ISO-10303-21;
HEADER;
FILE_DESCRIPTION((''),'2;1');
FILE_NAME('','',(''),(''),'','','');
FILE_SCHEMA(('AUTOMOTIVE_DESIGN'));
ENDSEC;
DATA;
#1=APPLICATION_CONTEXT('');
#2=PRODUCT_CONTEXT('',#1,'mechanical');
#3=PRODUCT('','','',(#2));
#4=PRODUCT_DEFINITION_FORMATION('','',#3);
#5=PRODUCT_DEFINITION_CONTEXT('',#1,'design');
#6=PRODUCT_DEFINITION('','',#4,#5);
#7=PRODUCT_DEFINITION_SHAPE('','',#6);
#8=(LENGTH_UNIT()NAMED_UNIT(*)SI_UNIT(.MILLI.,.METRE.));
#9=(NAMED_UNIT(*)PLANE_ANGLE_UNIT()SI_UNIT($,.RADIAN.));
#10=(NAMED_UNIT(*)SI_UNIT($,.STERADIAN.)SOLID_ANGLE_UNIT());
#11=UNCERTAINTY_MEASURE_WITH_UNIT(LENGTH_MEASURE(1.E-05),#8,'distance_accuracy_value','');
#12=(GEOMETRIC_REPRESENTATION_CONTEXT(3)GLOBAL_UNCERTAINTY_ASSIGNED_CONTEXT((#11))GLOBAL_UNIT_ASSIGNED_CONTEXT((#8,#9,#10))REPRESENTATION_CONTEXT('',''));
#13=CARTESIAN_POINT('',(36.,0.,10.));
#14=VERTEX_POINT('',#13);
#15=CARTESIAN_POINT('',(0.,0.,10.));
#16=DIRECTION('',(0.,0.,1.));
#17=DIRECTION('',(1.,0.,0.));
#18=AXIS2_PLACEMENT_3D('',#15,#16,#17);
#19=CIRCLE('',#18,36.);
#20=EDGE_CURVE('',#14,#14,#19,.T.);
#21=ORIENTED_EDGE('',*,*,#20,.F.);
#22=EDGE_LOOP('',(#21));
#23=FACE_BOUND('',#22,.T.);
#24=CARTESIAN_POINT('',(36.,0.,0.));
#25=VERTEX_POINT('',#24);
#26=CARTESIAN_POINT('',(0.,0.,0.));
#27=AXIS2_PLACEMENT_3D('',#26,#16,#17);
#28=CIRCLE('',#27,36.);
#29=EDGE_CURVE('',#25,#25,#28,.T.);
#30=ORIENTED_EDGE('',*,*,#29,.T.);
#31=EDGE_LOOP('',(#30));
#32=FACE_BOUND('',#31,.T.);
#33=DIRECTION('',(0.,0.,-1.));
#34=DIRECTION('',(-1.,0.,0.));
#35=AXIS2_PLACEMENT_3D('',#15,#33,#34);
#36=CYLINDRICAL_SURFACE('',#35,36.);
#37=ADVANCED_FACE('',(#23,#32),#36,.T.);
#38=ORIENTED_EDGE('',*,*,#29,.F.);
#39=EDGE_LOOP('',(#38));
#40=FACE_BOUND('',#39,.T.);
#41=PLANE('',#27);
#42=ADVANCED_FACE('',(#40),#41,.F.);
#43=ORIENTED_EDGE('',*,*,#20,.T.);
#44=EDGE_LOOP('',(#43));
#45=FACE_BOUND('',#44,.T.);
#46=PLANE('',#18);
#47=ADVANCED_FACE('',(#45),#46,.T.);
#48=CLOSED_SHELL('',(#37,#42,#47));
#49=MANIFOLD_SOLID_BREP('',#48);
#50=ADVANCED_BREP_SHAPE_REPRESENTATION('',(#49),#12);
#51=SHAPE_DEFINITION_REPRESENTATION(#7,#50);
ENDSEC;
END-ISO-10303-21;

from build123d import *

# Parameters (mm, degrees)
ESQUISSE1_R        = 36
BOSS_EXTRU_1_DEPTH = 10


with BuildPart() as part:
    # Esquisse1 → Boss.-Extru.1 (new body)
    with BuildSketch(Plane.XY):
        Circle(ESQUISSE1_R)
    extrude(amount=BOSS_EXTRU_1_DEPTH)


solid = part.part
